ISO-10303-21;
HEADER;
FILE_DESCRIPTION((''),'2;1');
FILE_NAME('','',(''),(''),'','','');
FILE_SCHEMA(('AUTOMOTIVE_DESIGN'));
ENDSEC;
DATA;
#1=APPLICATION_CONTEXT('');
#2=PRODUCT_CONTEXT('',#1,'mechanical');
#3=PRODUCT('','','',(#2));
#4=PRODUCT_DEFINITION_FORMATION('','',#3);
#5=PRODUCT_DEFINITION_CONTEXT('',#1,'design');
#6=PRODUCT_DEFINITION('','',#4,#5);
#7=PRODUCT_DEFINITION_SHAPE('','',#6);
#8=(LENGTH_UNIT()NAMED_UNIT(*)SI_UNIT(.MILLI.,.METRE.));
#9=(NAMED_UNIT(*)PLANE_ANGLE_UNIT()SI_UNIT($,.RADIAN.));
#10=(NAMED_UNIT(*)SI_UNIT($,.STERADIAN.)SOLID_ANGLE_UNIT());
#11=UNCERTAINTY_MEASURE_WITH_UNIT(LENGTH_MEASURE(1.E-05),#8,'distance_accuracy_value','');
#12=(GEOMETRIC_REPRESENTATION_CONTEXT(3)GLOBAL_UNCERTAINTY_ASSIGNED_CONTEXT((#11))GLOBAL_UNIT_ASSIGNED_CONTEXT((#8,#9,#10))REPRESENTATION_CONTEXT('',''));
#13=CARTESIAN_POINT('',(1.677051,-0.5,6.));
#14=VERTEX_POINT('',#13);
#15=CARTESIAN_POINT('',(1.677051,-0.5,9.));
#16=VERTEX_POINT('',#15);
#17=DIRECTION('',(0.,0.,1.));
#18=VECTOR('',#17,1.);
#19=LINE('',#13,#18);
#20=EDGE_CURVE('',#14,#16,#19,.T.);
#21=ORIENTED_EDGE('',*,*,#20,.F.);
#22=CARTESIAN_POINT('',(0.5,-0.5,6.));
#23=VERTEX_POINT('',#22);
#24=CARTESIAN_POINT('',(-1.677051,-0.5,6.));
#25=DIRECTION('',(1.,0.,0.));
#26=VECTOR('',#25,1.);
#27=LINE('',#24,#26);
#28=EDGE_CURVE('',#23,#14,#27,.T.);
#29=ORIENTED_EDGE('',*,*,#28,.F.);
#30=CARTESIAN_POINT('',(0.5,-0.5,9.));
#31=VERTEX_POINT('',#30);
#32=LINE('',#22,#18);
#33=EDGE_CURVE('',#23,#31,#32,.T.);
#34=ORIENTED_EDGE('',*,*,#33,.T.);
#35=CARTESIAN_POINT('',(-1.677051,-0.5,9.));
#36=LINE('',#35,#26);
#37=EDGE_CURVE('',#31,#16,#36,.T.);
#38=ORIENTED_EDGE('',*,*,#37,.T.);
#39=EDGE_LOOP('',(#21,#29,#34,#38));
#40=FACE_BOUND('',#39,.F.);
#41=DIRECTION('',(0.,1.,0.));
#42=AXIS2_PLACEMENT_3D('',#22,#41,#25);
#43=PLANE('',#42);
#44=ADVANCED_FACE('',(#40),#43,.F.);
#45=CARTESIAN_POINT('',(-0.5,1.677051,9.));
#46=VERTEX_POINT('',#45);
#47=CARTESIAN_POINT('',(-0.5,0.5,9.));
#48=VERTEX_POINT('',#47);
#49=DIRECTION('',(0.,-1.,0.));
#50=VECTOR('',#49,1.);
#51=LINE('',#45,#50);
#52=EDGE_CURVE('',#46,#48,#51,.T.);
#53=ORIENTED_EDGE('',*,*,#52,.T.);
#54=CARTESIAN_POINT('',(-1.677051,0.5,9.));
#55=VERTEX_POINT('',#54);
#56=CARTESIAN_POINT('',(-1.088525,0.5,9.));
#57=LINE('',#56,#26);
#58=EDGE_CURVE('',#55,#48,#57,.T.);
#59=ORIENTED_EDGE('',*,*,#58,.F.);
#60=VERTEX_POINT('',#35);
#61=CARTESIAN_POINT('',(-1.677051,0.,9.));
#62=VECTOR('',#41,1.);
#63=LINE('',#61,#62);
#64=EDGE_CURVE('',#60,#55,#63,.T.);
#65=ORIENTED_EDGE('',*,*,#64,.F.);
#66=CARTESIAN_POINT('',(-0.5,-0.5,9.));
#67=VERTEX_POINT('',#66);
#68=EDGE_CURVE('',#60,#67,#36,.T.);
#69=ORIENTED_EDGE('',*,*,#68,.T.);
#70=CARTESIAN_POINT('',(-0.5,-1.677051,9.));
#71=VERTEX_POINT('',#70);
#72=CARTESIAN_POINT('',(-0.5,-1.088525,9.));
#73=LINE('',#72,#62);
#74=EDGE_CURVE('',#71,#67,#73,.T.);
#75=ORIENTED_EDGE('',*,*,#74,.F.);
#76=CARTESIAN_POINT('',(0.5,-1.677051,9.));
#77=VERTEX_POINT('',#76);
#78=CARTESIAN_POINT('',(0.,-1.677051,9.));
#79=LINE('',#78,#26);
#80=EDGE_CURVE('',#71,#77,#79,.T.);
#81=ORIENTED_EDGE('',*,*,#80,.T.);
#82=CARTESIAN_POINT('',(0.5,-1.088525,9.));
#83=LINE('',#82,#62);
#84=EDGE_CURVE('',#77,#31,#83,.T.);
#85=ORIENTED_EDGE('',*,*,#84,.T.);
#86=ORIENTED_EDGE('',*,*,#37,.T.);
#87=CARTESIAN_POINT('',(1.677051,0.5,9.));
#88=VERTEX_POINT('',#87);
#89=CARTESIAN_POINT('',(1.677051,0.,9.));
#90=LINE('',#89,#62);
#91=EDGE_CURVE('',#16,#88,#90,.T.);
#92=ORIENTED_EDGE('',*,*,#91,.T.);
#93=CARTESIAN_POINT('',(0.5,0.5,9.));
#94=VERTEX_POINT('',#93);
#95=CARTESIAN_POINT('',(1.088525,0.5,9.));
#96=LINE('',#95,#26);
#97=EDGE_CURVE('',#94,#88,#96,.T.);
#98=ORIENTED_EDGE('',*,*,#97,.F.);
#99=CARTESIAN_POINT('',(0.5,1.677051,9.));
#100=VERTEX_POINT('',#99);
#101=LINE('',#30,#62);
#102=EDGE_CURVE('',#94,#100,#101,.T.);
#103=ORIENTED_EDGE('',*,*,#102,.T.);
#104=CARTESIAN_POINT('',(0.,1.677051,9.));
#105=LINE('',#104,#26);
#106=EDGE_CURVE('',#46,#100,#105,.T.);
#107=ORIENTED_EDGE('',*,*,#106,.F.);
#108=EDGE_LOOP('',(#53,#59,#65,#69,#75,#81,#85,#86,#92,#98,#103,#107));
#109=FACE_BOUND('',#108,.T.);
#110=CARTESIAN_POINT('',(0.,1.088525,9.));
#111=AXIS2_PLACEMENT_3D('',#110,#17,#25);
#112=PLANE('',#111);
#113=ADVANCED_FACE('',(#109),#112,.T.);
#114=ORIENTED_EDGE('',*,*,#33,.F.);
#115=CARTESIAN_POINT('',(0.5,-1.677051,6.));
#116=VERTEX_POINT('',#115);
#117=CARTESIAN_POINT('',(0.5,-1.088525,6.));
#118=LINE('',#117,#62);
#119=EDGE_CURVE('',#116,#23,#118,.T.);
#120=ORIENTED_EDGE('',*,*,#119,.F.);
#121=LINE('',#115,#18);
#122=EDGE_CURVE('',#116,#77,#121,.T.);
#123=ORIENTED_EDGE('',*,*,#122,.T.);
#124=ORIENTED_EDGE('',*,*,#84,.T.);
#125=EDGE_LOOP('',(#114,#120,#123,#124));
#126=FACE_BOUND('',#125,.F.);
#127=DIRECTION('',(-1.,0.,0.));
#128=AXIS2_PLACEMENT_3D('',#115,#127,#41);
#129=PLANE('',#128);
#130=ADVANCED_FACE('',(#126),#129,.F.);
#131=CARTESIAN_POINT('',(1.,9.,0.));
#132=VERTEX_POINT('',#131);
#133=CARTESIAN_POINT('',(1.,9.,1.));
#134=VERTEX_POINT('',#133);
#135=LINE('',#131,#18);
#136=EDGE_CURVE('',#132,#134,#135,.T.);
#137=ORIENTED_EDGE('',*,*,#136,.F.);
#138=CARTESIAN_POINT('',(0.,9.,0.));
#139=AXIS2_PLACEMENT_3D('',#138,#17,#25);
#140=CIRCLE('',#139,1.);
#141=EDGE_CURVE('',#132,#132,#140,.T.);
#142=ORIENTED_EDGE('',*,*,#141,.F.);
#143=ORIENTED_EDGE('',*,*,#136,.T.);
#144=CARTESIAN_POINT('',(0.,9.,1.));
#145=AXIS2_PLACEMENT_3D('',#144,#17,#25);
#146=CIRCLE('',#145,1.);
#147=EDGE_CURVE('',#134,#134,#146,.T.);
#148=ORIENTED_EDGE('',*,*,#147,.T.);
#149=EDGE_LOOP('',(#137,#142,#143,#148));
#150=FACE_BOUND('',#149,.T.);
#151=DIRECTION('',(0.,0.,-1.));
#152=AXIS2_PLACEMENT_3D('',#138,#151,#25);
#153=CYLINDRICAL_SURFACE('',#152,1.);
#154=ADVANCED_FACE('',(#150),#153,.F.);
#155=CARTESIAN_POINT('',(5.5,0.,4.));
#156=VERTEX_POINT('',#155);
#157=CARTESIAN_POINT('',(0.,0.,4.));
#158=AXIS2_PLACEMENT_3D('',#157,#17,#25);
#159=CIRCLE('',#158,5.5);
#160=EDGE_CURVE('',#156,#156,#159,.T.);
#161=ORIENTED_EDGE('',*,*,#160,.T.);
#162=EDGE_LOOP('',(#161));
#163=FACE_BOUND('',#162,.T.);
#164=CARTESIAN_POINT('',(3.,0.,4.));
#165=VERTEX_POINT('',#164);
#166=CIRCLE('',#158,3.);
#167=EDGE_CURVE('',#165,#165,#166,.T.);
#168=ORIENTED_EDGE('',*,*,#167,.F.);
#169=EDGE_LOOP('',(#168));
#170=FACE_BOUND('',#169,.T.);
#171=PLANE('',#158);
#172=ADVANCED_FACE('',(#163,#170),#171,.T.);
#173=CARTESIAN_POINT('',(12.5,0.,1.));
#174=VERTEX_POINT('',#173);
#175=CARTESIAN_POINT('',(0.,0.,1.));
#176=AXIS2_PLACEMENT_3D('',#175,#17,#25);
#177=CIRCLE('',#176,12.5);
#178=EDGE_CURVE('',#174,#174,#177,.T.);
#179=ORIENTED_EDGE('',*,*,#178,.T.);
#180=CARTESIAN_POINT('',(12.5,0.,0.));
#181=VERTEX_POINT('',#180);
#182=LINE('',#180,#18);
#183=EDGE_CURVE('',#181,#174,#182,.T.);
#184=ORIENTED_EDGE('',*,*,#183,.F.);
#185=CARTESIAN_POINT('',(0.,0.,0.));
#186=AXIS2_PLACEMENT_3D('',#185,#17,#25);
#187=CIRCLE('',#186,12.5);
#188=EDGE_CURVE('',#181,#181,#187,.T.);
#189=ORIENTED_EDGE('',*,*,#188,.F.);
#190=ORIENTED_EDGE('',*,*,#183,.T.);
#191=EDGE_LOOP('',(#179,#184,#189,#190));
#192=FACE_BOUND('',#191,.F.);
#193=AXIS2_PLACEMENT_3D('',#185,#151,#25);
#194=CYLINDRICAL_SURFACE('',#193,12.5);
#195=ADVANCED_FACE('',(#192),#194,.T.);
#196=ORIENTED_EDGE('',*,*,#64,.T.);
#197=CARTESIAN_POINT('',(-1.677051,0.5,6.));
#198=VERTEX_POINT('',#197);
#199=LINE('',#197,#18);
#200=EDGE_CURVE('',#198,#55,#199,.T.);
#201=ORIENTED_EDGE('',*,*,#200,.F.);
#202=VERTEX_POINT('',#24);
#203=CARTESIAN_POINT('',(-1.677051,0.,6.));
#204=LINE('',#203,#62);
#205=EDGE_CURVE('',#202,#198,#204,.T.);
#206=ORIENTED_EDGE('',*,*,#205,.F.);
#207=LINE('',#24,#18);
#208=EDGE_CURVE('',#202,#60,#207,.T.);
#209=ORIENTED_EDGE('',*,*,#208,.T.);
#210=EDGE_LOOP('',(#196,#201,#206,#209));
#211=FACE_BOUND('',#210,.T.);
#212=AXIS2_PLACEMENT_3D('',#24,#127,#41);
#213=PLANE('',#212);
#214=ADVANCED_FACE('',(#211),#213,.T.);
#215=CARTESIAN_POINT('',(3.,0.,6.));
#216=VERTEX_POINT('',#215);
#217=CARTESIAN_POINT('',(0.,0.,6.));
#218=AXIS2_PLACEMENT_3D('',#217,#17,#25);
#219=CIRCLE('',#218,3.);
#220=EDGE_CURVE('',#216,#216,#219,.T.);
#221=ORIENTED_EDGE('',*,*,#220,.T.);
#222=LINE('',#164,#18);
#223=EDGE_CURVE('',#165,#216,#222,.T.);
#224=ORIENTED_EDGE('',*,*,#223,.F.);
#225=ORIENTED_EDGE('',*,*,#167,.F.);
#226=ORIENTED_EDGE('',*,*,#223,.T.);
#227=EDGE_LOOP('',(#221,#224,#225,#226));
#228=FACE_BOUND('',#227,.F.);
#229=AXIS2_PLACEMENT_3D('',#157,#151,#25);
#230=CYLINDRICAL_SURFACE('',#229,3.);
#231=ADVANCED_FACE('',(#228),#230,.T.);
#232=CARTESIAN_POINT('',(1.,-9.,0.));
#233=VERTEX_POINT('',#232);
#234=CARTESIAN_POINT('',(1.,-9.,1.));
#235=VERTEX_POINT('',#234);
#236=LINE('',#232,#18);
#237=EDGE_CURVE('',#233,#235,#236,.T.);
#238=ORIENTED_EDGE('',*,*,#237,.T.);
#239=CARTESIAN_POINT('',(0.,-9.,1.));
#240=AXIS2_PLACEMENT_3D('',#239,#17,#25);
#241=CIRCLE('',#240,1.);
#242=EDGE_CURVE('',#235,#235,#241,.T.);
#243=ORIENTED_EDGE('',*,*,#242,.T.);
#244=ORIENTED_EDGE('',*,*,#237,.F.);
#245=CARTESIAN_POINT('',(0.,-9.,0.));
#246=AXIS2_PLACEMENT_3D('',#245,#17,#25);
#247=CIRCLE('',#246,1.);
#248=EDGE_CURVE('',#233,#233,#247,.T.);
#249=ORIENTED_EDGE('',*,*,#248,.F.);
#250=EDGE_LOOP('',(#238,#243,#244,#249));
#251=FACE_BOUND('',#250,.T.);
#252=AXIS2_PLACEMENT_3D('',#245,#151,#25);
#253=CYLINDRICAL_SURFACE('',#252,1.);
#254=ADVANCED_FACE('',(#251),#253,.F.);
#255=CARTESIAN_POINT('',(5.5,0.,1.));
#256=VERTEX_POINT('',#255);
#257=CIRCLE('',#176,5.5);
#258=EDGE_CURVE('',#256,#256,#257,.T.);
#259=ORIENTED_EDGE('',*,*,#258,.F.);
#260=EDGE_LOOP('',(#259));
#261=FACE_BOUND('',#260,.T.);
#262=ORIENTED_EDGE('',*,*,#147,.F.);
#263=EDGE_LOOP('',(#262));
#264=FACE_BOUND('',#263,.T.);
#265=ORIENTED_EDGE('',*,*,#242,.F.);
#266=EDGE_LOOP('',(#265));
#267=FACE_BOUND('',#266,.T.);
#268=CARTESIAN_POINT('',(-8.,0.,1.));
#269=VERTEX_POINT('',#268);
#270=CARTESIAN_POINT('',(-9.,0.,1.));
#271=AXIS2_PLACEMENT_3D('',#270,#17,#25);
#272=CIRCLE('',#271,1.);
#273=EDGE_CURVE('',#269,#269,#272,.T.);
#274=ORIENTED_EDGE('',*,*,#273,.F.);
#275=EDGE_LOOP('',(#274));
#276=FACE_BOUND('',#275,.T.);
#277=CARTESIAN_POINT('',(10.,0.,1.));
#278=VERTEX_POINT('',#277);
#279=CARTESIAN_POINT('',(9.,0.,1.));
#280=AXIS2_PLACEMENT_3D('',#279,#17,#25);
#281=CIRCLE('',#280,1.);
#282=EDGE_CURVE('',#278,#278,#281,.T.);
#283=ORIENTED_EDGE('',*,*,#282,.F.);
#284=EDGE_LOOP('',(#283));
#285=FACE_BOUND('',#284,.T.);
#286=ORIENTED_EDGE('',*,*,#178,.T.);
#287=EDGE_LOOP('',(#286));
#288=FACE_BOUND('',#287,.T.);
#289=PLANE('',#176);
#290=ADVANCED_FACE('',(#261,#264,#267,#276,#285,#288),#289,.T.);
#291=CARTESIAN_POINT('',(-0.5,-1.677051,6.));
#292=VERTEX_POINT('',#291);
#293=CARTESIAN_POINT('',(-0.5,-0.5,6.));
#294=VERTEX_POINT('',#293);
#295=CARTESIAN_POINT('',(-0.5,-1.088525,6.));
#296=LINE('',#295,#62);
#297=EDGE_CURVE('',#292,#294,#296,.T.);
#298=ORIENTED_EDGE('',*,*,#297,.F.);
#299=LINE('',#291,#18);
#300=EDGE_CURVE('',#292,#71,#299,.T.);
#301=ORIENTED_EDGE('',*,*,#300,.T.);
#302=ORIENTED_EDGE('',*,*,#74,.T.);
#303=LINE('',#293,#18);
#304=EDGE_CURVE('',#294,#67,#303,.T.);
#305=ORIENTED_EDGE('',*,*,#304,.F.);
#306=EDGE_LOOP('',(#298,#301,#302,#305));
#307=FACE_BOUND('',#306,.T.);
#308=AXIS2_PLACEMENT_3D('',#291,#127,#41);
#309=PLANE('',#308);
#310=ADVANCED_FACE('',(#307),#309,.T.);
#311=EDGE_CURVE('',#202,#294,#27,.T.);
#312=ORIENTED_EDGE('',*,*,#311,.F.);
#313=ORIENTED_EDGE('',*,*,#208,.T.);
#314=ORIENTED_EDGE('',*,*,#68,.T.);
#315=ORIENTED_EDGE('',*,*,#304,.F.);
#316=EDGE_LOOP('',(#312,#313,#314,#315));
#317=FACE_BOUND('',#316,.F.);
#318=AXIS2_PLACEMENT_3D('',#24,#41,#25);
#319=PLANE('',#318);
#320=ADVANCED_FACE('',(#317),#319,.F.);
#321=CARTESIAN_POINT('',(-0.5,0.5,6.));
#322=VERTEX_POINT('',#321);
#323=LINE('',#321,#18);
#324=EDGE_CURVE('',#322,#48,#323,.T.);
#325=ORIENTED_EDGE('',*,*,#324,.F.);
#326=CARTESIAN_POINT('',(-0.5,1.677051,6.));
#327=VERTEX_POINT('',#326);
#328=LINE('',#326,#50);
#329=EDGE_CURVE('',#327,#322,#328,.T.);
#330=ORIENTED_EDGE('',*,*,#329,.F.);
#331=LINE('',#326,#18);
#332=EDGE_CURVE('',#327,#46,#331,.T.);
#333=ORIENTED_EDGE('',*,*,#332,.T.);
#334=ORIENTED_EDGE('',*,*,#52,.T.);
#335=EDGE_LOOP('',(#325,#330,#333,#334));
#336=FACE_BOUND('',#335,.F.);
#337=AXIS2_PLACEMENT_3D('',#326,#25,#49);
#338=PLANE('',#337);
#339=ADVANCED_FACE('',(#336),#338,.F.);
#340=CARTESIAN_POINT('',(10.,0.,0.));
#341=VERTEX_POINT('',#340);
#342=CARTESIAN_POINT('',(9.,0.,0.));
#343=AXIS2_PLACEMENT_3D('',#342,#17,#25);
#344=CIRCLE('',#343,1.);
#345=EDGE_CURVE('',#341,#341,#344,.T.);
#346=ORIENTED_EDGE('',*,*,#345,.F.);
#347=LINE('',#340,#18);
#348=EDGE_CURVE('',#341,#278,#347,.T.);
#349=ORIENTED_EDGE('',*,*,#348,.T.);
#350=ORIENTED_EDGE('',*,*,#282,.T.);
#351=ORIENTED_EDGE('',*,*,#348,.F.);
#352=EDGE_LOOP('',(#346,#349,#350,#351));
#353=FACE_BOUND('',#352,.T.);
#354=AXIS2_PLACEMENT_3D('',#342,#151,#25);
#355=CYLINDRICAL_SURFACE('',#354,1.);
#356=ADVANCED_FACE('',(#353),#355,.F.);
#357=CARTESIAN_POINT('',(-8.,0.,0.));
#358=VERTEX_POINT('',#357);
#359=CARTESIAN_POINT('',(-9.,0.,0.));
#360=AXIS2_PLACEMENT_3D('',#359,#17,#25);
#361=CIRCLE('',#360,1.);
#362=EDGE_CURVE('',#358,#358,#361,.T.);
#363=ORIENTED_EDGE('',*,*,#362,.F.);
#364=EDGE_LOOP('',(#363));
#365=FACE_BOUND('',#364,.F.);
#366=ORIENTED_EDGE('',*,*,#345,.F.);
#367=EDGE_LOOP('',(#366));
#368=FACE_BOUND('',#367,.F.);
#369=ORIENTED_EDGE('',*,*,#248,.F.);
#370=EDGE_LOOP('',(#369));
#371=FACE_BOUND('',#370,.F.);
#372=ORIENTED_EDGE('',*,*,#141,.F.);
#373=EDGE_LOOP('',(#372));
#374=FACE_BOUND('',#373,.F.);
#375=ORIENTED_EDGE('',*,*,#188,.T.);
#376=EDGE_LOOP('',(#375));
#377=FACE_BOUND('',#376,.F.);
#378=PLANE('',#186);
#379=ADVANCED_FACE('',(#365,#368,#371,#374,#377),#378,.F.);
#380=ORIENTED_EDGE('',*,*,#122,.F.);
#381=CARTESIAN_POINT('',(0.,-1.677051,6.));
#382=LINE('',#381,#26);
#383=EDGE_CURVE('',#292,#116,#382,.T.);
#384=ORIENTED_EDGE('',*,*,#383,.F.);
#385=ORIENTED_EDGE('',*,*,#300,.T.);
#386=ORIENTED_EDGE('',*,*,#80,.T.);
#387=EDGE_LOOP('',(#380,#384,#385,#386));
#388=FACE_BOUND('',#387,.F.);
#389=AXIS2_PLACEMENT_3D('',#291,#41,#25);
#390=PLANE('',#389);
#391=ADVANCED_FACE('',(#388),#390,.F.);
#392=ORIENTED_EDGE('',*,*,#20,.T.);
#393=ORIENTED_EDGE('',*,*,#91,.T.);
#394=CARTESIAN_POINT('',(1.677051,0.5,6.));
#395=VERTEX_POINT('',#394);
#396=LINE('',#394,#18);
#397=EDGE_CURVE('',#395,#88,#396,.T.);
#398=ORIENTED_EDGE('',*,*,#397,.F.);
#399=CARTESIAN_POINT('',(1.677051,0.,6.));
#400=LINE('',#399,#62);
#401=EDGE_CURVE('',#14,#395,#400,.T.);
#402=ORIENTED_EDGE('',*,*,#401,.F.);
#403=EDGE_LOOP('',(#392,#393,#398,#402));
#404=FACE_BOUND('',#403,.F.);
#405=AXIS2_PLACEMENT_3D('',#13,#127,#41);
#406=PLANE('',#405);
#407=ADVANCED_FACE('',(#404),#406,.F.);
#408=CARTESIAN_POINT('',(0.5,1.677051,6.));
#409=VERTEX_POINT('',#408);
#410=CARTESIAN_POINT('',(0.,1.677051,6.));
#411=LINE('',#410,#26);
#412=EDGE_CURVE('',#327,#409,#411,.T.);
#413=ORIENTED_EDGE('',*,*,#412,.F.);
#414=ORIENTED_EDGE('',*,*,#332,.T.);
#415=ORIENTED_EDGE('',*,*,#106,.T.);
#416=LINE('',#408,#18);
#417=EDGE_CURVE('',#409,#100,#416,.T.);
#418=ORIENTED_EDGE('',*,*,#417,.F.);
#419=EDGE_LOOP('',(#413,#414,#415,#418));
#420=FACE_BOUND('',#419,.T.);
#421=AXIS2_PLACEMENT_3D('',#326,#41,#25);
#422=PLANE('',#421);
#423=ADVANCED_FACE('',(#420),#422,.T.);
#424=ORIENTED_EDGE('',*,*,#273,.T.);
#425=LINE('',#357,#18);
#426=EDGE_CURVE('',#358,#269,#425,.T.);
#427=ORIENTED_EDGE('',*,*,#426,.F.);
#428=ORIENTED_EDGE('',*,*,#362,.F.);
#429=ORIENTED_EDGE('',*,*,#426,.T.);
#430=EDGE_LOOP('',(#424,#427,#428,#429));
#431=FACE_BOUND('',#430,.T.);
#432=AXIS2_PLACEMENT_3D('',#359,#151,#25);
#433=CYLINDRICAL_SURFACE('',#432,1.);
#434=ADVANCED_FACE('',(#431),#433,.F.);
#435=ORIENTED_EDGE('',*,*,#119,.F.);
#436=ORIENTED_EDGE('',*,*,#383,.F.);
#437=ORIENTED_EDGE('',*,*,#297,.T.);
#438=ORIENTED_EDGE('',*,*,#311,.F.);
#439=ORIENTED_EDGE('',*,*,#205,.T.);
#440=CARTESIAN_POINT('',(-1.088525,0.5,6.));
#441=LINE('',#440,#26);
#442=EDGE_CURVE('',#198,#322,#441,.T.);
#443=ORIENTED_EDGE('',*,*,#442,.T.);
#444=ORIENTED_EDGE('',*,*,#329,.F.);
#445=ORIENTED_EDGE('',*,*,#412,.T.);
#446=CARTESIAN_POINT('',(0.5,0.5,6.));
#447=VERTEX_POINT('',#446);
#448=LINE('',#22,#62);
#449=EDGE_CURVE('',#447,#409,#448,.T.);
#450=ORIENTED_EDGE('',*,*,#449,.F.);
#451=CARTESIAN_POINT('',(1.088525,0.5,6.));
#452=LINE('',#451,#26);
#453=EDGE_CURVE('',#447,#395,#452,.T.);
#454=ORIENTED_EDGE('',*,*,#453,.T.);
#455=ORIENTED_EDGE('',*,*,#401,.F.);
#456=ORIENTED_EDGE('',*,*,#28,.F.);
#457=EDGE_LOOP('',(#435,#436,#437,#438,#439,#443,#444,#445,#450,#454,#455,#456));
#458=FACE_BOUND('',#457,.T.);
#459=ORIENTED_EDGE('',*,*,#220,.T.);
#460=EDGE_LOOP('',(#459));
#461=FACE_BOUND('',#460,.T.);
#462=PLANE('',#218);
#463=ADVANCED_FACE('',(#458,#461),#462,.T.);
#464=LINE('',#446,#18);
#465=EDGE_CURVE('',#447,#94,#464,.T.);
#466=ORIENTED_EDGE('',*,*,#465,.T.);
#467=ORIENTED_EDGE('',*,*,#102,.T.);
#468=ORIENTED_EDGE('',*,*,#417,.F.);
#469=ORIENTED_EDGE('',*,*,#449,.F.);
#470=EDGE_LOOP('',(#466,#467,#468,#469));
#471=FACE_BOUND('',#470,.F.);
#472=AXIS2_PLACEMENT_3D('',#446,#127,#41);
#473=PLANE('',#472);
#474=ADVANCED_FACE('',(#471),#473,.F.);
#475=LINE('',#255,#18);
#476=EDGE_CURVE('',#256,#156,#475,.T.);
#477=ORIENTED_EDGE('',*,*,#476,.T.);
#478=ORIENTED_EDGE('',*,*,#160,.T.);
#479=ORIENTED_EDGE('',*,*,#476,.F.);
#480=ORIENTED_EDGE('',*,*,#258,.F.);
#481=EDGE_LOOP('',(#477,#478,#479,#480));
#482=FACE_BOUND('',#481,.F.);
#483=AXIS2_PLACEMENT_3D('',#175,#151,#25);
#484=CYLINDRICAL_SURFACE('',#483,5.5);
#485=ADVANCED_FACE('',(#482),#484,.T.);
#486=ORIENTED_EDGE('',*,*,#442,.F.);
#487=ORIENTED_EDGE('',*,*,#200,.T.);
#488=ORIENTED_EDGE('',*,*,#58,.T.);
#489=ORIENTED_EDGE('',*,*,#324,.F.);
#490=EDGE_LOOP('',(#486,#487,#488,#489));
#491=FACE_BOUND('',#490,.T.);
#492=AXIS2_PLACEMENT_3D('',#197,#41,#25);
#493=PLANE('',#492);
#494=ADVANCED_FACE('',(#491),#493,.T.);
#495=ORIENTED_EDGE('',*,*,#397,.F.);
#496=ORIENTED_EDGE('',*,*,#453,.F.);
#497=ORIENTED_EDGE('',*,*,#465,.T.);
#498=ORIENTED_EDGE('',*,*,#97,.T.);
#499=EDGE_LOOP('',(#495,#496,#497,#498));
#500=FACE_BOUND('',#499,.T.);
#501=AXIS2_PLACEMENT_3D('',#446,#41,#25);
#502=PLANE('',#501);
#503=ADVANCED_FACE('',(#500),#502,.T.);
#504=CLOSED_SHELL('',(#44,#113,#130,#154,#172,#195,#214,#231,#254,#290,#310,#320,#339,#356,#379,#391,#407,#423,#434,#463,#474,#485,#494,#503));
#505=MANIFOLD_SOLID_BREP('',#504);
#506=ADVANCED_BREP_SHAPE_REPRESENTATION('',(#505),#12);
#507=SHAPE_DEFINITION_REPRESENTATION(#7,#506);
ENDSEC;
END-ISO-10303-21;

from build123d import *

# Parameters (mm, degrees)
F0_R     = 12.5
F0_R_2   = 1
F1_DEPTH = 1
F2_R     = 5.5
F3_DEPTH = 3
F4_R     = 3
F5_DEPTH = 2
F6_W     = 1
F6_H     = 1.1770509831
F6_H_2   = 1
F6_W_2   = 1.1770509831
F7_DEPTH = 3


with BuildPart() as f1:
    # F0 (on Top) → F1 (new body)
    with BuildSketch(Plane.XY):
        Circle(F0_R)
        with Locations((0, -9)):
            Circle(F0_R_2, mode=Mode.SUBTRACT)
        with Locations((-9, 0)):
            Circle(F0_R_2, mode=Mode.SUBTRACT)
        with Locations((9, 0)):
            Circle(F0_R_2, mode=Mode.SUBTRACT)
        with Locations((0, 9)):
            Circle(F0_R_2, mode=Mode.SUBTRACT)
    extrude(amount=F1_DEPTH)

    # F2 (on face) → F3 (join)
    with BuildSketch(Plane.XY.offset(1)):
        Circle(F2_R)
    extrude(amount=F3_DEPTH)

    # F4 (on face) → F5 (join)
    with BuildSketch(Plane.XY.offset(4)):
        Circle(F4_R)
    extrude(amount=F5_DEPTH)

    # F6 (on face) → F7 (join)
    with BuildSketch(Plane.XY.offset(6)):
        with Locations((0, 1.0885254916)):
            Rectangle(F6_W, F6_H)
        Rectangle(F6_W, F6_H_2)
        with Locations((-1.0885254916, 0)):
            Rectangle(F6_W_2, F6_H_2)
        with Locations((1.0885254916, 0)):
            Rectangle(F6_W_2, F6_H_2)
        with Locations((0, -1.0885254916)):
            Rectangle(F6_W, F6_H)
    extrude(amount=F7_DEPTH)


solid = f1.part
